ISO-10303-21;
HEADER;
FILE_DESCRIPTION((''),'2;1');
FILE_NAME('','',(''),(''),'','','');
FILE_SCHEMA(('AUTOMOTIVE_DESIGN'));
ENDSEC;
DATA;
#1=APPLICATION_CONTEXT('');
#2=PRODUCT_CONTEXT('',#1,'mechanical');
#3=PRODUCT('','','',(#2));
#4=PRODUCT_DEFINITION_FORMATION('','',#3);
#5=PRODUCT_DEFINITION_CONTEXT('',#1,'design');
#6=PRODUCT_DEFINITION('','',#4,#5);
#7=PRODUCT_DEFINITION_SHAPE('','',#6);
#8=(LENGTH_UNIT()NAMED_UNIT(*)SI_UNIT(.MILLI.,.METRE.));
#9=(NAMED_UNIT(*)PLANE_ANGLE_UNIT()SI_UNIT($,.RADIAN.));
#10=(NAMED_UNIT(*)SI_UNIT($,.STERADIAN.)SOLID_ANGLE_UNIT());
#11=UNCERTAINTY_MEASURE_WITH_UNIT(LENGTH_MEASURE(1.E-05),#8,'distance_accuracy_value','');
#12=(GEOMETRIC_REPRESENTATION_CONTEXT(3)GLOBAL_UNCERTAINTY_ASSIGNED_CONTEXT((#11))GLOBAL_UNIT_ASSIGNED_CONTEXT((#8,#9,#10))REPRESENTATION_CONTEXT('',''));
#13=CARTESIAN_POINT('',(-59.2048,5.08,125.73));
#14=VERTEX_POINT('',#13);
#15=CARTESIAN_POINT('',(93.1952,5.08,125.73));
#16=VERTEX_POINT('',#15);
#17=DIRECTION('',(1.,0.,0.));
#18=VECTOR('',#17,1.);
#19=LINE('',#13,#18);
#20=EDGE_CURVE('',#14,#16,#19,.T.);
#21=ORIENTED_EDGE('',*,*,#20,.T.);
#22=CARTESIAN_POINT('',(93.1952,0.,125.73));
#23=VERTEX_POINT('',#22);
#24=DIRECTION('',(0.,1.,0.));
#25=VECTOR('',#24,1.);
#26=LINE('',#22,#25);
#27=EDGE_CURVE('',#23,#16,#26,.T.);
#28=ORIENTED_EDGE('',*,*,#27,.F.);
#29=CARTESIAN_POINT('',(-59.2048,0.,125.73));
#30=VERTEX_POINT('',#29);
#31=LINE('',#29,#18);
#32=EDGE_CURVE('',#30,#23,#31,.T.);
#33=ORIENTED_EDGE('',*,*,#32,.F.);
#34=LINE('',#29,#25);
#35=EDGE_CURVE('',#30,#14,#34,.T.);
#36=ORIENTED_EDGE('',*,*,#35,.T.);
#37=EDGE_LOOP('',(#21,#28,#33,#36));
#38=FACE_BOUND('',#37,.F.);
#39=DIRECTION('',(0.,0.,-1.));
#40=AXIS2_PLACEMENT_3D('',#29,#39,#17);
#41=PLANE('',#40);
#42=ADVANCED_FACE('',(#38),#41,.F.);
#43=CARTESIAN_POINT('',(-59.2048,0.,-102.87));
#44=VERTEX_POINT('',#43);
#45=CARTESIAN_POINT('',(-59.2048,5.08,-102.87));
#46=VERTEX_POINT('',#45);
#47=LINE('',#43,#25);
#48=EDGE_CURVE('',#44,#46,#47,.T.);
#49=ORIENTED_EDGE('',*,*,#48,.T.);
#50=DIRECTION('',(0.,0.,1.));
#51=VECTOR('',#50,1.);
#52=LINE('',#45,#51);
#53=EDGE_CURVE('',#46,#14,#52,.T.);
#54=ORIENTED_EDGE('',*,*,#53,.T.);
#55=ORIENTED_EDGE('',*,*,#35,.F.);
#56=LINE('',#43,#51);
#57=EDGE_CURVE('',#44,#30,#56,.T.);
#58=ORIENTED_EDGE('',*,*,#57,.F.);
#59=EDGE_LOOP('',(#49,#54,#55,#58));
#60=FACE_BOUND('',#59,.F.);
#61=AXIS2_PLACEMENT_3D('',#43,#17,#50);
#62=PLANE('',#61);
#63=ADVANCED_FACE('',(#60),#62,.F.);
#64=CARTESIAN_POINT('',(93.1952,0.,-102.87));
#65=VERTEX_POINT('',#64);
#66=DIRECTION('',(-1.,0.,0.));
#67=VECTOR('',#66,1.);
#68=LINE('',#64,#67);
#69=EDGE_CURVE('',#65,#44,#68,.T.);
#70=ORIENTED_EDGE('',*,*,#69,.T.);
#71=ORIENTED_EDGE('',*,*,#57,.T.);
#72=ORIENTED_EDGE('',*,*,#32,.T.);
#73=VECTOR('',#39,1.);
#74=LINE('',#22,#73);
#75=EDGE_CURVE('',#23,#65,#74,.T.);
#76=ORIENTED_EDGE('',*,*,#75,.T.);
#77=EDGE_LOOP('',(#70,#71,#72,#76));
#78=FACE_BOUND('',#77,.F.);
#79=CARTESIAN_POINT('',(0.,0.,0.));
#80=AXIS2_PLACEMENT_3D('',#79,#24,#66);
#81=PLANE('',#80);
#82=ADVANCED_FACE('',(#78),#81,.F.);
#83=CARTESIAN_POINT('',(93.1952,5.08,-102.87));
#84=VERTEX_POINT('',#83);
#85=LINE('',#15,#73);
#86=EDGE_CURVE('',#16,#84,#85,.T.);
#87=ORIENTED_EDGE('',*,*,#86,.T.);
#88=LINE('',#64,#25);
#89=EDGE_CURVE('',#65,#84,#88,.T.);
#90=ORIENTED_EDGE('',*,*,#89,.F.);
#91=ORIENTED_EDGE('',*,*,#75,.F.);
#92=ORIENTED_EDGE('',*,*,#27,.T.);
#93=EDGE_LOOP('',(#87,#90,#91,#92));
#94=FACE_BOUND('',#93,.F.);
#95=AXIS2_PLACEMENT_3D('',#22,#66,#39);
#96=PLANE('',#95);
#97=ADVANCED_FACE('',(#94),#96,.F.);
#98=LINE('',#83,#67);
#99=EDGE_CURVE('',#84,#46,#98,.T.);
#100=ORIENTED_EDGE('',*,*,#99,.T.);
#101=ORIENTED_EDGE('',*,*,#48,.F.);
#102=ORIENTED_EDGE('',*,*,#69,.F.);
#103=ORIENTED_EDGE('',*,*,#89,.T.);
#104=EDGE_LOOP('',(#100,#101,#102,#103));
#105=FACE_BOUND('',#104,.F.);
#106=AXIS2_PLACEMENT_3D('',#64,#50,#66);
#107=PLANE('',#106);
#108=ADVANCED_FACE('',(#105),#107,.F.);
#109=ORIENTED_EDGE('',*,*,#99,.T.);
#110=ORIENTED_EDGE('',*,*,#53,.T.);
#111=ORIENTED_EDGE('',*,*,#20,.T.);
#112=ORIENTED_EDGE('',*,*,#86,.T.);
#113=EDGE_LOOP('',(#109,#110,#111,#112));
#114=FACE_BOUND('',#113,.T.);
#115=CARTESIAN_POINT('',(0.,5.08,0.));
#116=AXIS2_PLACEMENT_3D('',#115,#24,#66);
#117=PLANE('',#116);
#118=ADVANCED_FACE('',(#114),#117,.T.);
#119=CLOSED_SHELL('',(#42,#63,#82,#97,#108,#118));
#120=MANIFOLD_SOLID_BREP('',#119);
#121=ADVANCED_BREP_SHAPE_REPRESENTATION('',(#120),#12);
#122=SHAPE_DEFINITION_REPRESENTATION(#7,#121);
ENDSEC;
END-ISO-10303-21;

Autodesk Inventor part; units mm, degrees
ref_plane "YZ Plane" through (0, 0, 0) normal (1, 0, 0) x (0, 1, 0)
ref_plane "XZ Plane" through (0, 0, 0) normal (0, 1, 0) x (-1, 0, 0)
ref_plane "XY Plane" through (0, 0, 0) normal (0, 0, 1) x (1, 0, 0)
sketch "Sketch1" plane through (0, 0, 0) normal (0, 1, 0) x (-1, 0, 0)
  line L0 (59.2048, 125.73) -> (-93.1952, 125.73)
  line L1 (-93.1952, 125.73) -> (-93.1952, -102.87)
  line L2 (-93.1952, -102.87) -> (59.2048, -102.87)
  line L3 (59.2048, -102.87) -> (59.2048, 125.73)
  point P0 (0, 0)
  dimension "d0" = 228.6
  dimension "d1" = 152.4
extrude "Extrusion1" add sketch "Sketch1" along normal blind 5.08
equation "\"d0\" = PartLength"
equation "\"d1\" = PartWidth"
equation "\"d2\" = WallWidth"
equation "\"DSLength\" = 1371.6"
equation "\"DSWidth\" = 304.8"
equation "\"DCDeckHeight\" = 76.2"
equation "\"WallWidth\" = 5.08"
equation "\"EdgeAngle\" = 10deg"
equation "\"LengthCuts\" = 152.4"
equation "\"WidthCuts\" = 50.8"
equation "\"PartLength\" = 228.6"
equation "\"PartWidth\" = 152.4"
equation "\"BoltHoldDiam\" = 6.35"
equation "\"ControlPlateLength\" = 228.6"
equation "\"ControlPlateWidth\" = 228.6"
equation "\"ControlPlateShelfLength\" = 19.05"
equation "\"ControlHoleLength\" = 190.5"
equation "\"ControlHoleWidth\" = 190.5"
equation "\"ControlHoleFromSide\" = 63.5"
equation "\"ControlHoleBoltHoleMid\" = 9.525"
equation "\"CPDeckHeight\" = 71.12"
equation "\"CPFromSide\" = 63.5"
equation "\"CPFromBack\" = 63.5"
equation "\"DU1CHWidth\" = 69.85"
equation "\"DU1CHLength\" = 146.05"
equation "\"ControlPlateScrewLength\" = 76.2"
equation "\"DSBackHeight\" = 127"
equation "\"BackShelf\" = 25.4"
equation "\"MainAngle\" = 168.22deg"
equation "\"CPDWidthHole\" = 120.65"
equation "\"CPDLengthHole\" = 146.05"
equation "\"DownBackHeight\" = 130.7084"
properties part number "CBULeft2"
